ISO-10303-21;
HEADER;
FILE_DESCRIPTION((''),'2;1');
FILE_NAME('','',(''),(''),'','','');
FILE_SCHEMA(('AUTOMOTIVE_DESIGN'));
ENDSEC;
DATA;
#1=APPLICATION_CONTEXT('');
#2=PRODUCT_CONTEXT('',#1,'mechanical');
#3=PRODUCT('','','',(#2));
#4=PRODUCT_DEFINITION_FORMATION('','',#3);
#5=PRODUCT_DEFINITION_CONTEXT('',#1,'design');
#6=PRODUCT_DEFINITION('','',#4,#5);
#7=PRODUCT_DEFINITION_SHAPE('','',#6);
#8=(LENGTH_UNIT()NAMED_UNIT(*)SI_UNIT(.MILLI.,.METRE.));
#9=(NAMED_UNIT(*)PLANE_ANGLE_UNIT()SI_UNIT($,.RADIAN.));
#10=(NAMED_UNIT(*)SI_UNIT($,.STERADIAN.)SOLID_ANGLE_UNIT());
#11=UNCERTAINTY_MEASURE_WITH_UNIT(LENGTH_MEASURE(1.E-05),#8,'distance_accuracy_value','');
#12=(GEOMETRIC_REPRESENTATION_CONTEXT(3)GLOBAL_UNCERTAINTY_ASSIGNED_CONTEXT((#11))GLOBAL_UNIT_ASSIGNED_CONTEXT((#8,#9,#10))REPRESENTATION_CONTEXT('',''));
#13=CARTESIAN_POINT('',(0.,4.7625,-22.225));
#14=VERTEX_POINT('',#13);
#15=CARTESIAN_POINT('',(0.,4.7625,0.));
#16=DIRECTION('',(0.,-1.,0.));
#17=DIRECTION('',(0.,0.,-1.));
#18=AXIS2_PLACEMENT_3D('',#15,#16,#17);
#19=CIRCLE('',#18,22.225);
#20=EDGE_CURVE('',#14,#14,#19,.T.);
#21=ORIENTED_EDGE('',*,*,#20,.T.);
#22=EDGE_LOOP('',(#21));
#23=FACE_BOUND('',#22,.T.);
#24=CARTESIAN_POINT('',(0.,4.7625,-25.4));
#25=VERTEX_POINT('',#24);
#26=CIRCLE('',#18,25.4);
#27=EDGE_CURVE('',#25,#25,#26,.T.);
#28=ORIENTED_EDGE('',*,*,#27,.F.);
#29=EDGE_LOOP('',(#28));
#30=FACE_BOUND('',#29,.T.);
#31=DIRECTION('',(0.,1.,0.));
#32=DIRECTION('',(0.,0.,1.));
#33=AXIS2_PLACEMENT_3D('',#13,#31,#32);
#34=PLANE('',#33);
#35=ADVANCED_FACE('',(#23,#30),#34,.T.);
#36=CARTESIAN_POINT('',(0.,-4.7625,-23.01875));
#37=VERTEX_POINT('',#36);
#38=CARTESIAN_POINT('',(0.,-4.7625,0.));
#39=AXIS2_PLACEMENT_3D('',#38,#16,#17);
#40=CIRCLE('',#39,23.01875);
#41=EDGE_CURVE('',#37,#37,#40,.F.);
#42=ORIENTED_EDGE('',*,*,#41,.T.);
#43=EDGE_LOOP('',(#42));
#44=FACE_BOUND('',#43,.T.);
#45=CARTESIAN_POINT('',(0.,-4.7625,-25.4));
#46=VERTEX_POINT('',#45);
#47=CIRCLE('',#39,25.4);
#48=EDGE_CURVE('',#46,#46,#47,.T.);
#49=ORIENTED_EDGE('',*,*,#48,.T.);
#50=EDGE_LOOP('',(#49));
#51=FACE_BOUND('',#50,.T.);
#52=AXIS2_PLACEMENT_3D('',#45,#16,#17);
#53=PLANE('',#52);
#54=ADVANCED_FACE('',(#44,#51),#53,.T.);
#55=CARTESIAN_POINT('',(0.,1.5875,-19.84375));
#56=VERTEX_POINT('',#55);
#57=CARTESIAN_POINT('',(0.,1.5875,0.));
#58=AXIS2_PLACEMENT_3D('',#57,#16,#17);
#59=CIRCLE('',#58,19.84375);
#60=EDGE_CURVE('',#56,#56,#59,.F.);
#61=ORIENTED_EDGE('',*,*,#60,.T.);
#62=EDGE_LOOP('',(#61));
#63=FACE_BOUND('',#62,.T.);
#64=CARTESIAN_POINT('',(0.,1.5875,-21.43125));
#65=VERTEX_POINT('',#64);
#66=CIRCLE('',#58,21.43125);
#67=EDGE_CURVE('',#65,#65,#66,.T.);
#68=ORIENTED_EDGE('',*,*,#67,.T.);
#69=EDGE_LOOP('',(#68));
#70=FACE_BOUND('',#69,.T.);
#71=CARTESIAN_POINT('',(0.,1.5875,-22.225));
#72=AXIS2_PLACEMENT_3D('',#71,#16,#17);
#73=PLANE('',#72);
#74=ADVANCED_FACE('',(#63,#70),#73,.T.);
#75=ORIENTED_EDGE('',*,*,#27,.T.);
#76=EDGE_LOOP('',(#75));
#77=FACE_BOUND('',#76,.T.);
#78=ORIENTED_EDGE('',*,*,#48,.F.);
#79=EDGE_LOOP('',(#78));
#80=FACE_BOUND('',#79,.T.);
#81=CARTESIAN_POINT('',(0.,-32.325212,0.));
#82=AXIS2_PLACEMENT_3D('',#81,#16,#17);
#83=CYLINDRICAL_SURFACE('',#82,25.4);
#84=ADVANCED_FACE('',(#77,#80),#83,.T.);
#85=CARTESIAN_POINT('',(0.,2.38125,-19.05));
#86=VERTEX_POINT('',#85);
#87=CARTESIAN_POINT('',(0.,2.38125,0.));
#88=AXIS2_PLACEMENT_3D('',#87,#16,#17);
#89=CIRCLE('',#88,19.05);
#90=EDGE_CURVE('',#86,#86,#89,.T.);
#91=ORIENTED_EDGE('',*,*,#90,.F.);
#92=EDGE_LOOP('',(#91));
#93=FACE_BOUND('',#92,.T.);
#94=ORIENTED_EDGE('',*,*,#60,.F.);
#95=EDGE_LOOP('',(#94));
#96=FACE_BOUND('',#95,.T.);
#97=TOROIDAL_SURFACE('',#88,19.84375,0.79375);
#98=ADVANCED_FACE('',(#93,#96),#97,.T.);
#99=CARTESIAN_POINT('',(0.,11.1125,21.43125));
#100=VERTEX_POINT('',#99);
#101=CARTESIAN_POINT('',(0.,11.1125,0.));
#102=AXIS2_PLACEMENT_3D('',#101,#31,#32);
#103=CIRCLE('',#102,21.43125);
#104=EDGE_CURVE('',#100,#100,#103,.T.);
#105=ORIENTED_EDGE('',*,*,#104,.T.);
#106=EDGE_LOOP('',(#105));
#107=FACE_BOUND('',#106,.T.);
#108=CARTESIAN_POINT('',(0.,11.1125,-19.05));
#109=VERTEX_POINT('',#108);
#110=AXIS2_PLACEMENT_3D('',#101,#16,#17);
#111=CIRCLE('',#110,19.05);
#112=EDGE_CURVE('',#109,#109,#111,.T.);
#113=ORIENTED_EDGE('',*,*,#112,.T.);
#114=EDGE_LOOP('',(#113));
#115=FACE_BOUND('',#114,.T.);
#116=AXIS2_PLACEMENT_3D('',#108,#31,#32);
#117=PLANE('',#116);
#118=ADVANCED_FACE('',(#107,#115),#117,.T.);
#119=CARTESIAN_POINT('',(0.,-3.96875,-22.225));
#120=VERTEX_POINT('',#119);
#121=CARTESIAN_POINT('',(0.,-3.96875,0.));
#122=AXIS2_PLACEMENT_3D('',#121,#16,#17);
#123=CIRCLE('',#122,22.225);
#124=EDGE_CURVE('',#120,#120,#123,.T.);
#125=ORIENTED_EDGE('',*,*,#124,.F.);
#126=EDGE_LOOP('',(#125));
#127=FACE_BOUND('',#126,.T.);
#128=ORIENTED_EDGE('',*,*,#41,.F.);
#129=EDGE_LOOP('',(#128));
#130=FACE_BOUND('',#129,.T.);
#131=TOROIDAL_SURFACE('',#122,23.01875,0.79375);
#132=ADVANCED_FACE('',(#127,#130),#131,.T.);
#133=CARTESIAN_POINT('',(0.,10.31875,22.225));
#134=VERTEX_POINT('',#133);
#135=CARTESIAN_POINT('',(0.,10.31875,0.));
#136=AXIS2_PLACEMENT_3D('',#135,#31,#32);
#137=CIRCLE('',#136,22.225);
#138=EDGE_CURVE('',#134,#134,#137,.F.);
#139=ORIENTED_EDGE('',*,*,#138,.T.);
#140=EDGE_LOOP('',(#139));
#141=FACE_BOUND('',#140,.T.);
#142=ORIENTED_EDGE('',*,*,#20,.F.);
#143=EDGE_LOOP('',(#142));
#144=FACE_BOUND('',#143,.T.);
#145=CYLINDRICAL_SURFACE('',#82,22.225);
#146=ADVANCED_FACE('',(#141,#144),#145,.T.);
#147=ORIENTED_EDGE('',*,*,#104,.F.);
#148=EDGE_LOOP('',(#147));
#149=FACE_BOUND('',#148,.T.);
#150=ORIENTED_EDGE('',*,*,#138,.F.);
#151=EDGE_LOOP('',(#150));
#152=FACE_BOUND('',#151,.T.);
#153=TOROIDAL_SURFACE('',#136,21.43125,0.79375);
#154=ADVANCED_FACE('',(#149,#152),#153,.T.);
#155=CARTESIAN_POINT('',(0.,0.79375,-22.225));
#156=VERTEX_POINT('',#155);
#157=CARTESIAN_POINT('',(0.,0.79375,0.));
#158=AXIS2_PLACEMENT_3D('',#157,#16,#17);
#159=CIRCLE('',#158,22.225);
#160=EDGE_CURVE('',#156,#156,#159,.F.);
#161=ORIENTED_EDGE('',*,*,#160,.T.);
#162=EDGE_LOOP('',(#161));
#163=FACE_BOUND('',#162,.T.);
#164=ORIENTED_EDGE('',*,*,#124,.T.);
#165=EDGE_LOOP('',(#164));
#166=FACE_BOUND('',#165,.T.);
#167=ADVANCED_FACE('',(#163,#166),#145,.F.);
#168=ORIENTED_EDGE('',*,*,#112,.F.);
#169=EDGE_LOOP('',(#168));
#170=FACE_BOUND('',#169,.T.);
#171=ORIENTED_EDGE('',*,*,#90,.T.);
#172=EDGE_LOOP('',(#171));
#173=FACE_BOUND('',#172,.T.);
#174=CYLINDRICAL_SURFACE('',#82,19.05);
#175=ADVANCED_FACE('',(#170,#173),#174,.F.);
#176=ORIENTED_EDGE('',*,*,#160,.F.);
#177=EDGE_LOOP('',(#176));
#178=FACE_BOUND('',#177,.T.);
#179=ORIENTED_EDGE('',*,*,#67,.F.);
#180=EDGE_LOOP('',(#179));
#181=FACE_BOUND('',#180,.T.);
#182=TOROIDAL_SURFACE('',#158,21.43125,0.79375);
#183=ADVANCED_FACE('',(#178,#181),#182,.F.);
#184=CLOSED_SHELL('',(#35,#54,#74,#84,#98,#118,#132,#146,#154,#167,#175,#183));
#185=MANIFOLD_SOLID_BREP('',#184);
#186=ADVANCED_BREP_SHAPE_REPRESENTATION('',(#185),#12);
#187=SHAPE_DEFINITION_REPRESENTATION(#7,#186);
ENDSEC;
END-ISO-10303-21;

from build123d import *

# Parameters (mm, degrees)
FILLET1_R = 0.79375


with BuildPart() as part:
    # Sketch1 → Revolve1 (revolve)
    with BuildSketch(Plane(origin=(0, 0, 0), x_dir=(0, 0, -1), z_dir=(1, 0, 0))):
        Polygon((22.225, 11.1125), (22.225, 4.7625), (25.4, 4.7625), (25.4, -4.7625), (22.225, -4.7625), (22.225, 1.5875), (19.05, 1.5875), (19.05, 11.1125), align=None)
    revolve(axis=Axis((0, -32.325211936, 0), (0, 1, 0)))

    # Fillet1
    fillet1_edges = [part.edges().sort_by_distance(p)[0] for p in [
        (0, 11.1125, 22.225),
        (0, 1.5875, 19.05),
        (0, 1.5875, 22.225),
        (0, -4.7625, 22.225),
    ]]
    fillet(fillet1_edges, radius=FILLET1_R)


solid = part.part
